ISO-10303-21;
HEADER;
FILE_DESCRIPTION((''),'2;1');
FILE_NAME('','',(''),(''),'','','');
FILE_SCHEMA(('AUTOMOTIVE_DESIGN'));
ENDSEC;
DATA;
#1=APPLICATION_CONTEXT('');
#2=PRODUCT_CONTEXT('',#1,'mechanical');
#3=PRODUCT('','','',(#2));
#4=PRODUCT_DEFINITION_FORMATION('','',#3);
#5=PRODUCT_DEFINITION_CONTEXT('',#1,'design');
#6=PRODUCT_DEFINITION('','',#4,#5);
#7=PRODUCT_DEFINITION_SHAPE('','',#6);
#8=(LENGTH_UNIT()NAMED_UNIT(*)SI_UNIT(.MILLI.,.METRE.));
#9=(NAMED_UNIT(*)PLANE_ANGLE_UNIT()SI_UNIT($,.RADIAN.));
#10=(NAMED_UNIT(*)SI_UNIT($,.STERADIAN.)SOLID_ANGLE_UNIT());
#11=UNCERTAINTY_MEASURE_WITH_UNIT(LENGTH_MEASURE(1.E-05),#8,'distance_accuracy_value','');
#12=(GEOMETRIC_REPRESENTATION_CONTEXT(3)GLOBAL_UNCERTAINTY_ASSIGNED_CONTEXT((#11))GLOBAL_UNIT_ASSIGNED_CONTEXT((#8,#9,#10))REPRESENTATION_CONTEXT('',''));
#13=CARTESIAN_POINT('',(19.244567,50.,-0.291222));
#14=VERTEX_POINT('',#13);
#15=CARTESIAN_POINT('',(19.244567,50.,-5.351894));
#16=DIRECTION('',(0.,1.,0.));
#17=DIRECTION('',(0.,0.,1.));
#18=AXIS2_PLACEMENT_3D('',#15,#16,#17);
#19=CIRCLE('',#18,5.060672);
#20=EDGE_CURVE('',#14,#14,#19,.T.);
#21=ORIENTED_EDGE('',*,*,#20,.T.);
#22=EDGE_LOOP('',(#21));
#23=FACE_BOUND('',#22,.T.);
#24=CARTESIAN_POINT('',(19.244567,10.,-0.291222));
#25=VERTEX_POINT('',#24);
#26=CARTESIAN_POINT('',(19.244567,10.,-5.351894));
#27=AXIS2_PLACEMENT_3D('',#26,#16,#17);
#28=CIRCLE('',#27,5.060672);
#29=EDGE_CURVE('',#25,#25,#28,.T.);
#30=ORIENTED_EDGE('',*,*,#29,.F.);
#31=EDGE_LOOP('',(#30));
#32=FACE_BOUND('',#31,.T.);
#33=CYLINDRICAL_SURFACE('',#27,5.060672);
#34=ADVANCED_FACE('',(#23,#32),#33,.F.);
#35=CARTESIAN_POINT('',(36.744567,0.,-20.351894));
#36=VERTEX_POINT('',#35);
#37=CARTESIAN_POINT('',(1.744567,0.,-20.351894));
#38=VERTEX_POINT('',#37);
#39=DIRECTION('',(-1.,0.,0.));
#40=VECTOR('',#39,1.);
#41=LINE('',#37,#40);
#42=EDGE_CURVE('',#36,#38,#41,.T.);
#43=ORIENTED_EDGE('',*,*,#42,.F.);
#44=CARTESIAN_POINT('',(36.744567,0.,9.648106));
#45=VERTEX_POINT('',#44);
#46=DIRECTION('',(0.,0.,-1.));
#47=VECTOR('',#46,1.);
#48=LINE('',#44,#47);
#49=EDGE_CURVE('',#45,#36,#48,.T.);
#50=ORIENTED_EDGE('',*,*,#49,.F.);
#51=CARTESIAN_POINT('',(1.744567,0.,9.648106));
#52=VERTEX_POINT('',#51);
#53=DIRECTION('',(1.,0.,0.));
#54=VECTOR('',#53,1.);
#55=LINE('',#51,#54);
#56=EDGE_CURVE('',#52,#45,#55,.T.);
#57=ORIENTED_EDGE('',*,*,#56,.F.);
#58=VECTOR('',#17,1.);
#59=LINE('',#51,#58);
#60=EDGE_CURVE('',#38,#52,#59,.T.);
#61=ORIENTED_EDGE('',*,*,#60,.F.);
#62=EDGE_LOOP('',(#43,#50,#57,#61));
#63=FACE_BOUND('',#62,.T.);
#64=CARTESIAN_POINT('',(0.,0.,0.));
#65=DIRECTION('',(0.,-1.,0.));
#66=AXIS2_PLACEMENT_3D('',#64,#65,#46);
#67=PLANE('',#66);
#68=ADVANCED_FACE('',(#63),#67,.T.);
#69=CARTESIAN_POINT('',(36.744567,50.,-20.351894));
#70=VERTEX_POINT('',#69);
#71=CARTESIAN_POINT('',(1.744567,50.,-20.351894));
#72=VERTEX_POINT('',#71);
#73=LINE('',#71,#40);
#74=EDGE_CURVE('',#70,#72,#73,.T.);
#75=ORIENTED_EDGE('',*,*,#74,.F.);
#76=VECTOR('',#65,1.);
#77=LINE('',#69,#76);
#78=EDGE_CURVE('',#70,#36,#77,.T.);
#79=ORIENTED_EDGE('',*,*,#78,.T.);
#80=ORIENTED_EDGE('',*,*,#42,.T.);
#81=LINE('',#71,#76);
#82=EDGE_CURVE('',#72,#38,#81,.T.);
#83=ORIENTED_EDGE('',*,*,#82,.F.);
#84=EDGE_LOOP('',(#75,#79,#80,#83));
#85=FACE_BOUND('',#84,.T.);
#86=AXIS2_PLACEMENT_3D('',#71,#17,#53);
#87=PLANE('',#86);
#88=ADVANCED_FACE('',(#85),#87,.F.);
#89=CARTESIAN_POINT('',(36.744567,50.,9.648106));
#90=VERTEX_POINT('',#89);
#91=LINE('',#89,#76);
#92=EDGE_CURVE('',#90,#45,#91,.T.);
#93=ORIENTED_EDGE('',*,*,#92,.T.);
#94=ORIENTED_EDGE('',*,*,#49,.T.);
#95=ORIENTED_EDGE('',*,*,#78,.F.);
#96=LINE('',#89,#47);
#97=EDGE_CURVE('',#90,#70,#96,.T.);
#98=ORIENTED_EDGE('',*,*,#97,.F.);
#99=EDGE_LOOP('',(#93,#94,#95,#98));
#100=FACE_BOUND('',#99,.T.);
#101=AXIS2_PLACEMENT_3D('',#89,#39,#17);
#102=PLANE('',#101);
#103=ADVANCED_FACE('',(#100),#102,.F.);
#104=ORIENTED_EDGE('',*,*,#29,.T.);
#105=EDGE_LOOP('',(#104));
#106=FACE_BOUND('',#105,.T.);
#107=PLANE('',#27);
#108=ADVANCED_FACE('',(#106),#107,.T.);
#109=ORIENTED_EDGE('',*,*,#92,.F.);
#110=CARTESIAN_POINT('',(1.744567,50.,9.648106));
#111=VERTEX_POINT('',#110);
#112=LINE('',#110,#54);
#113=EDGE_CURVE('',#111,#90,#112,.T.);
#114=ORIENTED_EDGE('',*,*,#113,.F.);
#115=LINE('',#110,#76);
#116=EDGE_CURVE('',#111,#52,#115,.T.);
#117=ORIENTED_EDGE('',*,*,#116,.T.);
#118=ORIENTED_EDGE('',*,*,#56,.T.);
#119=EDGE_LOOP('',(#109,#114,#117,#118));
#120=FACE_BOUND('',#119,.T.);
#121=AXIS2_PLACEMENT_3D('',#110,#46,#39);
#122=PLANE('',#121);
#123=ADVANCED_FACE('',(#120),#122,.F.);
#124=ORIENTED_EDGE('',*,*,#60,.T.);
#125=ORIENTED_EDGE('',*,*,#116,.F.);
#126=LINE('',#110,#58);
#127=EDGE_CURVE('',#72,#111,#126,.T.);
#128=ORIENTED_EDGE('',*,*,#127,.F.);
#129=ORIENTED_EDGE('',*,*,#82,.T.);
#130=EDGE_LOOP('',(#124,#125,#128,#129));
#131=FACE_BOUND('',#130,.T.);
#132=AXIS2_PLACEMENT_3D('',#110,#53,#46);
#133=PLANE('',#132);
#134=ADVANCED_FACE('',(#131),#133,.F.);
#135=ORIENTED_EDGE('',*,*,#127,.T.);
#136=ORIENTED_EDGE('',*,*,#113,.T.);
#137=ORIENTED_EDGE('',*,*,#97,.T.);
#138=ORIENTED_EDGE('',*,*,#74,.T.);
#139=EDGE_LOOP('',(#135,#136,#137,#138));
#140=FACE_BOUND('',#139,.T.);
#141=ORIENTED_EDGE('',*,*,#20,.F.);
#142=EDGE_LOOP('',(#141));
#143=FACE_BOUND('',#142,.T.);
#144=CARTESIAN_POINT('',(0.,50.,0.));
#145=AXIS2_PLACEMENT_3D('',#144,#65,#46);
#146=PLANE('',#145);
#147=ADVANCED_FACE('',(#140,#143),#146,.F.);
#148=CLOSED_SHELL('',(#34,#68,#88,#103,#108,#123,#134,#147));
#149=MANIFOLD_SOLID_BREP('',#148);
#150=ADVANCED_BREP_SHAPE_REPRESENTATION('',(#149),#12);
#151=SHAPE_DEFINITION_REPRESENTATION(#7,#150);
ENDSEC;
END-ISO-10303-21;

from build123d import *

# Parameters (mm, degrees)
SKETCH1_W           = 35
SKETCH1_H           = 30
BOSS_EXTRUDE1_DEPTH = 50
SKETCH3_R           = 5.060672104
CUT_EXTRUDE1_DEPTH  = 40


with BuildPart() as part:
    # Sketch1 → Boss-Extrude1 (new body)
    with BuildSketch(Plane(origin=(0, 0, 0), x_dir=(1, 0, 0), z_dir=(0, 1, 0))):
        with Locations((19.244566665, 5.351894021)):
            Rectangle(SKETCH1_W, SKETCH1_H)
    extrude(amount=BOSS_EXTRUDE1_DEPTH)

    # Sketch3 → Cut-Extrude1 (cut)
    with BuildSketch(Plane(origin=(0, 50, 0), x_dir=(1, 0, 0), z_dir=(0, 1, 0))):
        with Locations(Location((19.244566665, 5.351894021, 0), (0, 0, 270))):
            Circle(SKETCH3_R)
    extrude(amount=-CUT_EXTRUDE1_DEPTH, mode=Mode.SUBTRACT)


solid = part.part
